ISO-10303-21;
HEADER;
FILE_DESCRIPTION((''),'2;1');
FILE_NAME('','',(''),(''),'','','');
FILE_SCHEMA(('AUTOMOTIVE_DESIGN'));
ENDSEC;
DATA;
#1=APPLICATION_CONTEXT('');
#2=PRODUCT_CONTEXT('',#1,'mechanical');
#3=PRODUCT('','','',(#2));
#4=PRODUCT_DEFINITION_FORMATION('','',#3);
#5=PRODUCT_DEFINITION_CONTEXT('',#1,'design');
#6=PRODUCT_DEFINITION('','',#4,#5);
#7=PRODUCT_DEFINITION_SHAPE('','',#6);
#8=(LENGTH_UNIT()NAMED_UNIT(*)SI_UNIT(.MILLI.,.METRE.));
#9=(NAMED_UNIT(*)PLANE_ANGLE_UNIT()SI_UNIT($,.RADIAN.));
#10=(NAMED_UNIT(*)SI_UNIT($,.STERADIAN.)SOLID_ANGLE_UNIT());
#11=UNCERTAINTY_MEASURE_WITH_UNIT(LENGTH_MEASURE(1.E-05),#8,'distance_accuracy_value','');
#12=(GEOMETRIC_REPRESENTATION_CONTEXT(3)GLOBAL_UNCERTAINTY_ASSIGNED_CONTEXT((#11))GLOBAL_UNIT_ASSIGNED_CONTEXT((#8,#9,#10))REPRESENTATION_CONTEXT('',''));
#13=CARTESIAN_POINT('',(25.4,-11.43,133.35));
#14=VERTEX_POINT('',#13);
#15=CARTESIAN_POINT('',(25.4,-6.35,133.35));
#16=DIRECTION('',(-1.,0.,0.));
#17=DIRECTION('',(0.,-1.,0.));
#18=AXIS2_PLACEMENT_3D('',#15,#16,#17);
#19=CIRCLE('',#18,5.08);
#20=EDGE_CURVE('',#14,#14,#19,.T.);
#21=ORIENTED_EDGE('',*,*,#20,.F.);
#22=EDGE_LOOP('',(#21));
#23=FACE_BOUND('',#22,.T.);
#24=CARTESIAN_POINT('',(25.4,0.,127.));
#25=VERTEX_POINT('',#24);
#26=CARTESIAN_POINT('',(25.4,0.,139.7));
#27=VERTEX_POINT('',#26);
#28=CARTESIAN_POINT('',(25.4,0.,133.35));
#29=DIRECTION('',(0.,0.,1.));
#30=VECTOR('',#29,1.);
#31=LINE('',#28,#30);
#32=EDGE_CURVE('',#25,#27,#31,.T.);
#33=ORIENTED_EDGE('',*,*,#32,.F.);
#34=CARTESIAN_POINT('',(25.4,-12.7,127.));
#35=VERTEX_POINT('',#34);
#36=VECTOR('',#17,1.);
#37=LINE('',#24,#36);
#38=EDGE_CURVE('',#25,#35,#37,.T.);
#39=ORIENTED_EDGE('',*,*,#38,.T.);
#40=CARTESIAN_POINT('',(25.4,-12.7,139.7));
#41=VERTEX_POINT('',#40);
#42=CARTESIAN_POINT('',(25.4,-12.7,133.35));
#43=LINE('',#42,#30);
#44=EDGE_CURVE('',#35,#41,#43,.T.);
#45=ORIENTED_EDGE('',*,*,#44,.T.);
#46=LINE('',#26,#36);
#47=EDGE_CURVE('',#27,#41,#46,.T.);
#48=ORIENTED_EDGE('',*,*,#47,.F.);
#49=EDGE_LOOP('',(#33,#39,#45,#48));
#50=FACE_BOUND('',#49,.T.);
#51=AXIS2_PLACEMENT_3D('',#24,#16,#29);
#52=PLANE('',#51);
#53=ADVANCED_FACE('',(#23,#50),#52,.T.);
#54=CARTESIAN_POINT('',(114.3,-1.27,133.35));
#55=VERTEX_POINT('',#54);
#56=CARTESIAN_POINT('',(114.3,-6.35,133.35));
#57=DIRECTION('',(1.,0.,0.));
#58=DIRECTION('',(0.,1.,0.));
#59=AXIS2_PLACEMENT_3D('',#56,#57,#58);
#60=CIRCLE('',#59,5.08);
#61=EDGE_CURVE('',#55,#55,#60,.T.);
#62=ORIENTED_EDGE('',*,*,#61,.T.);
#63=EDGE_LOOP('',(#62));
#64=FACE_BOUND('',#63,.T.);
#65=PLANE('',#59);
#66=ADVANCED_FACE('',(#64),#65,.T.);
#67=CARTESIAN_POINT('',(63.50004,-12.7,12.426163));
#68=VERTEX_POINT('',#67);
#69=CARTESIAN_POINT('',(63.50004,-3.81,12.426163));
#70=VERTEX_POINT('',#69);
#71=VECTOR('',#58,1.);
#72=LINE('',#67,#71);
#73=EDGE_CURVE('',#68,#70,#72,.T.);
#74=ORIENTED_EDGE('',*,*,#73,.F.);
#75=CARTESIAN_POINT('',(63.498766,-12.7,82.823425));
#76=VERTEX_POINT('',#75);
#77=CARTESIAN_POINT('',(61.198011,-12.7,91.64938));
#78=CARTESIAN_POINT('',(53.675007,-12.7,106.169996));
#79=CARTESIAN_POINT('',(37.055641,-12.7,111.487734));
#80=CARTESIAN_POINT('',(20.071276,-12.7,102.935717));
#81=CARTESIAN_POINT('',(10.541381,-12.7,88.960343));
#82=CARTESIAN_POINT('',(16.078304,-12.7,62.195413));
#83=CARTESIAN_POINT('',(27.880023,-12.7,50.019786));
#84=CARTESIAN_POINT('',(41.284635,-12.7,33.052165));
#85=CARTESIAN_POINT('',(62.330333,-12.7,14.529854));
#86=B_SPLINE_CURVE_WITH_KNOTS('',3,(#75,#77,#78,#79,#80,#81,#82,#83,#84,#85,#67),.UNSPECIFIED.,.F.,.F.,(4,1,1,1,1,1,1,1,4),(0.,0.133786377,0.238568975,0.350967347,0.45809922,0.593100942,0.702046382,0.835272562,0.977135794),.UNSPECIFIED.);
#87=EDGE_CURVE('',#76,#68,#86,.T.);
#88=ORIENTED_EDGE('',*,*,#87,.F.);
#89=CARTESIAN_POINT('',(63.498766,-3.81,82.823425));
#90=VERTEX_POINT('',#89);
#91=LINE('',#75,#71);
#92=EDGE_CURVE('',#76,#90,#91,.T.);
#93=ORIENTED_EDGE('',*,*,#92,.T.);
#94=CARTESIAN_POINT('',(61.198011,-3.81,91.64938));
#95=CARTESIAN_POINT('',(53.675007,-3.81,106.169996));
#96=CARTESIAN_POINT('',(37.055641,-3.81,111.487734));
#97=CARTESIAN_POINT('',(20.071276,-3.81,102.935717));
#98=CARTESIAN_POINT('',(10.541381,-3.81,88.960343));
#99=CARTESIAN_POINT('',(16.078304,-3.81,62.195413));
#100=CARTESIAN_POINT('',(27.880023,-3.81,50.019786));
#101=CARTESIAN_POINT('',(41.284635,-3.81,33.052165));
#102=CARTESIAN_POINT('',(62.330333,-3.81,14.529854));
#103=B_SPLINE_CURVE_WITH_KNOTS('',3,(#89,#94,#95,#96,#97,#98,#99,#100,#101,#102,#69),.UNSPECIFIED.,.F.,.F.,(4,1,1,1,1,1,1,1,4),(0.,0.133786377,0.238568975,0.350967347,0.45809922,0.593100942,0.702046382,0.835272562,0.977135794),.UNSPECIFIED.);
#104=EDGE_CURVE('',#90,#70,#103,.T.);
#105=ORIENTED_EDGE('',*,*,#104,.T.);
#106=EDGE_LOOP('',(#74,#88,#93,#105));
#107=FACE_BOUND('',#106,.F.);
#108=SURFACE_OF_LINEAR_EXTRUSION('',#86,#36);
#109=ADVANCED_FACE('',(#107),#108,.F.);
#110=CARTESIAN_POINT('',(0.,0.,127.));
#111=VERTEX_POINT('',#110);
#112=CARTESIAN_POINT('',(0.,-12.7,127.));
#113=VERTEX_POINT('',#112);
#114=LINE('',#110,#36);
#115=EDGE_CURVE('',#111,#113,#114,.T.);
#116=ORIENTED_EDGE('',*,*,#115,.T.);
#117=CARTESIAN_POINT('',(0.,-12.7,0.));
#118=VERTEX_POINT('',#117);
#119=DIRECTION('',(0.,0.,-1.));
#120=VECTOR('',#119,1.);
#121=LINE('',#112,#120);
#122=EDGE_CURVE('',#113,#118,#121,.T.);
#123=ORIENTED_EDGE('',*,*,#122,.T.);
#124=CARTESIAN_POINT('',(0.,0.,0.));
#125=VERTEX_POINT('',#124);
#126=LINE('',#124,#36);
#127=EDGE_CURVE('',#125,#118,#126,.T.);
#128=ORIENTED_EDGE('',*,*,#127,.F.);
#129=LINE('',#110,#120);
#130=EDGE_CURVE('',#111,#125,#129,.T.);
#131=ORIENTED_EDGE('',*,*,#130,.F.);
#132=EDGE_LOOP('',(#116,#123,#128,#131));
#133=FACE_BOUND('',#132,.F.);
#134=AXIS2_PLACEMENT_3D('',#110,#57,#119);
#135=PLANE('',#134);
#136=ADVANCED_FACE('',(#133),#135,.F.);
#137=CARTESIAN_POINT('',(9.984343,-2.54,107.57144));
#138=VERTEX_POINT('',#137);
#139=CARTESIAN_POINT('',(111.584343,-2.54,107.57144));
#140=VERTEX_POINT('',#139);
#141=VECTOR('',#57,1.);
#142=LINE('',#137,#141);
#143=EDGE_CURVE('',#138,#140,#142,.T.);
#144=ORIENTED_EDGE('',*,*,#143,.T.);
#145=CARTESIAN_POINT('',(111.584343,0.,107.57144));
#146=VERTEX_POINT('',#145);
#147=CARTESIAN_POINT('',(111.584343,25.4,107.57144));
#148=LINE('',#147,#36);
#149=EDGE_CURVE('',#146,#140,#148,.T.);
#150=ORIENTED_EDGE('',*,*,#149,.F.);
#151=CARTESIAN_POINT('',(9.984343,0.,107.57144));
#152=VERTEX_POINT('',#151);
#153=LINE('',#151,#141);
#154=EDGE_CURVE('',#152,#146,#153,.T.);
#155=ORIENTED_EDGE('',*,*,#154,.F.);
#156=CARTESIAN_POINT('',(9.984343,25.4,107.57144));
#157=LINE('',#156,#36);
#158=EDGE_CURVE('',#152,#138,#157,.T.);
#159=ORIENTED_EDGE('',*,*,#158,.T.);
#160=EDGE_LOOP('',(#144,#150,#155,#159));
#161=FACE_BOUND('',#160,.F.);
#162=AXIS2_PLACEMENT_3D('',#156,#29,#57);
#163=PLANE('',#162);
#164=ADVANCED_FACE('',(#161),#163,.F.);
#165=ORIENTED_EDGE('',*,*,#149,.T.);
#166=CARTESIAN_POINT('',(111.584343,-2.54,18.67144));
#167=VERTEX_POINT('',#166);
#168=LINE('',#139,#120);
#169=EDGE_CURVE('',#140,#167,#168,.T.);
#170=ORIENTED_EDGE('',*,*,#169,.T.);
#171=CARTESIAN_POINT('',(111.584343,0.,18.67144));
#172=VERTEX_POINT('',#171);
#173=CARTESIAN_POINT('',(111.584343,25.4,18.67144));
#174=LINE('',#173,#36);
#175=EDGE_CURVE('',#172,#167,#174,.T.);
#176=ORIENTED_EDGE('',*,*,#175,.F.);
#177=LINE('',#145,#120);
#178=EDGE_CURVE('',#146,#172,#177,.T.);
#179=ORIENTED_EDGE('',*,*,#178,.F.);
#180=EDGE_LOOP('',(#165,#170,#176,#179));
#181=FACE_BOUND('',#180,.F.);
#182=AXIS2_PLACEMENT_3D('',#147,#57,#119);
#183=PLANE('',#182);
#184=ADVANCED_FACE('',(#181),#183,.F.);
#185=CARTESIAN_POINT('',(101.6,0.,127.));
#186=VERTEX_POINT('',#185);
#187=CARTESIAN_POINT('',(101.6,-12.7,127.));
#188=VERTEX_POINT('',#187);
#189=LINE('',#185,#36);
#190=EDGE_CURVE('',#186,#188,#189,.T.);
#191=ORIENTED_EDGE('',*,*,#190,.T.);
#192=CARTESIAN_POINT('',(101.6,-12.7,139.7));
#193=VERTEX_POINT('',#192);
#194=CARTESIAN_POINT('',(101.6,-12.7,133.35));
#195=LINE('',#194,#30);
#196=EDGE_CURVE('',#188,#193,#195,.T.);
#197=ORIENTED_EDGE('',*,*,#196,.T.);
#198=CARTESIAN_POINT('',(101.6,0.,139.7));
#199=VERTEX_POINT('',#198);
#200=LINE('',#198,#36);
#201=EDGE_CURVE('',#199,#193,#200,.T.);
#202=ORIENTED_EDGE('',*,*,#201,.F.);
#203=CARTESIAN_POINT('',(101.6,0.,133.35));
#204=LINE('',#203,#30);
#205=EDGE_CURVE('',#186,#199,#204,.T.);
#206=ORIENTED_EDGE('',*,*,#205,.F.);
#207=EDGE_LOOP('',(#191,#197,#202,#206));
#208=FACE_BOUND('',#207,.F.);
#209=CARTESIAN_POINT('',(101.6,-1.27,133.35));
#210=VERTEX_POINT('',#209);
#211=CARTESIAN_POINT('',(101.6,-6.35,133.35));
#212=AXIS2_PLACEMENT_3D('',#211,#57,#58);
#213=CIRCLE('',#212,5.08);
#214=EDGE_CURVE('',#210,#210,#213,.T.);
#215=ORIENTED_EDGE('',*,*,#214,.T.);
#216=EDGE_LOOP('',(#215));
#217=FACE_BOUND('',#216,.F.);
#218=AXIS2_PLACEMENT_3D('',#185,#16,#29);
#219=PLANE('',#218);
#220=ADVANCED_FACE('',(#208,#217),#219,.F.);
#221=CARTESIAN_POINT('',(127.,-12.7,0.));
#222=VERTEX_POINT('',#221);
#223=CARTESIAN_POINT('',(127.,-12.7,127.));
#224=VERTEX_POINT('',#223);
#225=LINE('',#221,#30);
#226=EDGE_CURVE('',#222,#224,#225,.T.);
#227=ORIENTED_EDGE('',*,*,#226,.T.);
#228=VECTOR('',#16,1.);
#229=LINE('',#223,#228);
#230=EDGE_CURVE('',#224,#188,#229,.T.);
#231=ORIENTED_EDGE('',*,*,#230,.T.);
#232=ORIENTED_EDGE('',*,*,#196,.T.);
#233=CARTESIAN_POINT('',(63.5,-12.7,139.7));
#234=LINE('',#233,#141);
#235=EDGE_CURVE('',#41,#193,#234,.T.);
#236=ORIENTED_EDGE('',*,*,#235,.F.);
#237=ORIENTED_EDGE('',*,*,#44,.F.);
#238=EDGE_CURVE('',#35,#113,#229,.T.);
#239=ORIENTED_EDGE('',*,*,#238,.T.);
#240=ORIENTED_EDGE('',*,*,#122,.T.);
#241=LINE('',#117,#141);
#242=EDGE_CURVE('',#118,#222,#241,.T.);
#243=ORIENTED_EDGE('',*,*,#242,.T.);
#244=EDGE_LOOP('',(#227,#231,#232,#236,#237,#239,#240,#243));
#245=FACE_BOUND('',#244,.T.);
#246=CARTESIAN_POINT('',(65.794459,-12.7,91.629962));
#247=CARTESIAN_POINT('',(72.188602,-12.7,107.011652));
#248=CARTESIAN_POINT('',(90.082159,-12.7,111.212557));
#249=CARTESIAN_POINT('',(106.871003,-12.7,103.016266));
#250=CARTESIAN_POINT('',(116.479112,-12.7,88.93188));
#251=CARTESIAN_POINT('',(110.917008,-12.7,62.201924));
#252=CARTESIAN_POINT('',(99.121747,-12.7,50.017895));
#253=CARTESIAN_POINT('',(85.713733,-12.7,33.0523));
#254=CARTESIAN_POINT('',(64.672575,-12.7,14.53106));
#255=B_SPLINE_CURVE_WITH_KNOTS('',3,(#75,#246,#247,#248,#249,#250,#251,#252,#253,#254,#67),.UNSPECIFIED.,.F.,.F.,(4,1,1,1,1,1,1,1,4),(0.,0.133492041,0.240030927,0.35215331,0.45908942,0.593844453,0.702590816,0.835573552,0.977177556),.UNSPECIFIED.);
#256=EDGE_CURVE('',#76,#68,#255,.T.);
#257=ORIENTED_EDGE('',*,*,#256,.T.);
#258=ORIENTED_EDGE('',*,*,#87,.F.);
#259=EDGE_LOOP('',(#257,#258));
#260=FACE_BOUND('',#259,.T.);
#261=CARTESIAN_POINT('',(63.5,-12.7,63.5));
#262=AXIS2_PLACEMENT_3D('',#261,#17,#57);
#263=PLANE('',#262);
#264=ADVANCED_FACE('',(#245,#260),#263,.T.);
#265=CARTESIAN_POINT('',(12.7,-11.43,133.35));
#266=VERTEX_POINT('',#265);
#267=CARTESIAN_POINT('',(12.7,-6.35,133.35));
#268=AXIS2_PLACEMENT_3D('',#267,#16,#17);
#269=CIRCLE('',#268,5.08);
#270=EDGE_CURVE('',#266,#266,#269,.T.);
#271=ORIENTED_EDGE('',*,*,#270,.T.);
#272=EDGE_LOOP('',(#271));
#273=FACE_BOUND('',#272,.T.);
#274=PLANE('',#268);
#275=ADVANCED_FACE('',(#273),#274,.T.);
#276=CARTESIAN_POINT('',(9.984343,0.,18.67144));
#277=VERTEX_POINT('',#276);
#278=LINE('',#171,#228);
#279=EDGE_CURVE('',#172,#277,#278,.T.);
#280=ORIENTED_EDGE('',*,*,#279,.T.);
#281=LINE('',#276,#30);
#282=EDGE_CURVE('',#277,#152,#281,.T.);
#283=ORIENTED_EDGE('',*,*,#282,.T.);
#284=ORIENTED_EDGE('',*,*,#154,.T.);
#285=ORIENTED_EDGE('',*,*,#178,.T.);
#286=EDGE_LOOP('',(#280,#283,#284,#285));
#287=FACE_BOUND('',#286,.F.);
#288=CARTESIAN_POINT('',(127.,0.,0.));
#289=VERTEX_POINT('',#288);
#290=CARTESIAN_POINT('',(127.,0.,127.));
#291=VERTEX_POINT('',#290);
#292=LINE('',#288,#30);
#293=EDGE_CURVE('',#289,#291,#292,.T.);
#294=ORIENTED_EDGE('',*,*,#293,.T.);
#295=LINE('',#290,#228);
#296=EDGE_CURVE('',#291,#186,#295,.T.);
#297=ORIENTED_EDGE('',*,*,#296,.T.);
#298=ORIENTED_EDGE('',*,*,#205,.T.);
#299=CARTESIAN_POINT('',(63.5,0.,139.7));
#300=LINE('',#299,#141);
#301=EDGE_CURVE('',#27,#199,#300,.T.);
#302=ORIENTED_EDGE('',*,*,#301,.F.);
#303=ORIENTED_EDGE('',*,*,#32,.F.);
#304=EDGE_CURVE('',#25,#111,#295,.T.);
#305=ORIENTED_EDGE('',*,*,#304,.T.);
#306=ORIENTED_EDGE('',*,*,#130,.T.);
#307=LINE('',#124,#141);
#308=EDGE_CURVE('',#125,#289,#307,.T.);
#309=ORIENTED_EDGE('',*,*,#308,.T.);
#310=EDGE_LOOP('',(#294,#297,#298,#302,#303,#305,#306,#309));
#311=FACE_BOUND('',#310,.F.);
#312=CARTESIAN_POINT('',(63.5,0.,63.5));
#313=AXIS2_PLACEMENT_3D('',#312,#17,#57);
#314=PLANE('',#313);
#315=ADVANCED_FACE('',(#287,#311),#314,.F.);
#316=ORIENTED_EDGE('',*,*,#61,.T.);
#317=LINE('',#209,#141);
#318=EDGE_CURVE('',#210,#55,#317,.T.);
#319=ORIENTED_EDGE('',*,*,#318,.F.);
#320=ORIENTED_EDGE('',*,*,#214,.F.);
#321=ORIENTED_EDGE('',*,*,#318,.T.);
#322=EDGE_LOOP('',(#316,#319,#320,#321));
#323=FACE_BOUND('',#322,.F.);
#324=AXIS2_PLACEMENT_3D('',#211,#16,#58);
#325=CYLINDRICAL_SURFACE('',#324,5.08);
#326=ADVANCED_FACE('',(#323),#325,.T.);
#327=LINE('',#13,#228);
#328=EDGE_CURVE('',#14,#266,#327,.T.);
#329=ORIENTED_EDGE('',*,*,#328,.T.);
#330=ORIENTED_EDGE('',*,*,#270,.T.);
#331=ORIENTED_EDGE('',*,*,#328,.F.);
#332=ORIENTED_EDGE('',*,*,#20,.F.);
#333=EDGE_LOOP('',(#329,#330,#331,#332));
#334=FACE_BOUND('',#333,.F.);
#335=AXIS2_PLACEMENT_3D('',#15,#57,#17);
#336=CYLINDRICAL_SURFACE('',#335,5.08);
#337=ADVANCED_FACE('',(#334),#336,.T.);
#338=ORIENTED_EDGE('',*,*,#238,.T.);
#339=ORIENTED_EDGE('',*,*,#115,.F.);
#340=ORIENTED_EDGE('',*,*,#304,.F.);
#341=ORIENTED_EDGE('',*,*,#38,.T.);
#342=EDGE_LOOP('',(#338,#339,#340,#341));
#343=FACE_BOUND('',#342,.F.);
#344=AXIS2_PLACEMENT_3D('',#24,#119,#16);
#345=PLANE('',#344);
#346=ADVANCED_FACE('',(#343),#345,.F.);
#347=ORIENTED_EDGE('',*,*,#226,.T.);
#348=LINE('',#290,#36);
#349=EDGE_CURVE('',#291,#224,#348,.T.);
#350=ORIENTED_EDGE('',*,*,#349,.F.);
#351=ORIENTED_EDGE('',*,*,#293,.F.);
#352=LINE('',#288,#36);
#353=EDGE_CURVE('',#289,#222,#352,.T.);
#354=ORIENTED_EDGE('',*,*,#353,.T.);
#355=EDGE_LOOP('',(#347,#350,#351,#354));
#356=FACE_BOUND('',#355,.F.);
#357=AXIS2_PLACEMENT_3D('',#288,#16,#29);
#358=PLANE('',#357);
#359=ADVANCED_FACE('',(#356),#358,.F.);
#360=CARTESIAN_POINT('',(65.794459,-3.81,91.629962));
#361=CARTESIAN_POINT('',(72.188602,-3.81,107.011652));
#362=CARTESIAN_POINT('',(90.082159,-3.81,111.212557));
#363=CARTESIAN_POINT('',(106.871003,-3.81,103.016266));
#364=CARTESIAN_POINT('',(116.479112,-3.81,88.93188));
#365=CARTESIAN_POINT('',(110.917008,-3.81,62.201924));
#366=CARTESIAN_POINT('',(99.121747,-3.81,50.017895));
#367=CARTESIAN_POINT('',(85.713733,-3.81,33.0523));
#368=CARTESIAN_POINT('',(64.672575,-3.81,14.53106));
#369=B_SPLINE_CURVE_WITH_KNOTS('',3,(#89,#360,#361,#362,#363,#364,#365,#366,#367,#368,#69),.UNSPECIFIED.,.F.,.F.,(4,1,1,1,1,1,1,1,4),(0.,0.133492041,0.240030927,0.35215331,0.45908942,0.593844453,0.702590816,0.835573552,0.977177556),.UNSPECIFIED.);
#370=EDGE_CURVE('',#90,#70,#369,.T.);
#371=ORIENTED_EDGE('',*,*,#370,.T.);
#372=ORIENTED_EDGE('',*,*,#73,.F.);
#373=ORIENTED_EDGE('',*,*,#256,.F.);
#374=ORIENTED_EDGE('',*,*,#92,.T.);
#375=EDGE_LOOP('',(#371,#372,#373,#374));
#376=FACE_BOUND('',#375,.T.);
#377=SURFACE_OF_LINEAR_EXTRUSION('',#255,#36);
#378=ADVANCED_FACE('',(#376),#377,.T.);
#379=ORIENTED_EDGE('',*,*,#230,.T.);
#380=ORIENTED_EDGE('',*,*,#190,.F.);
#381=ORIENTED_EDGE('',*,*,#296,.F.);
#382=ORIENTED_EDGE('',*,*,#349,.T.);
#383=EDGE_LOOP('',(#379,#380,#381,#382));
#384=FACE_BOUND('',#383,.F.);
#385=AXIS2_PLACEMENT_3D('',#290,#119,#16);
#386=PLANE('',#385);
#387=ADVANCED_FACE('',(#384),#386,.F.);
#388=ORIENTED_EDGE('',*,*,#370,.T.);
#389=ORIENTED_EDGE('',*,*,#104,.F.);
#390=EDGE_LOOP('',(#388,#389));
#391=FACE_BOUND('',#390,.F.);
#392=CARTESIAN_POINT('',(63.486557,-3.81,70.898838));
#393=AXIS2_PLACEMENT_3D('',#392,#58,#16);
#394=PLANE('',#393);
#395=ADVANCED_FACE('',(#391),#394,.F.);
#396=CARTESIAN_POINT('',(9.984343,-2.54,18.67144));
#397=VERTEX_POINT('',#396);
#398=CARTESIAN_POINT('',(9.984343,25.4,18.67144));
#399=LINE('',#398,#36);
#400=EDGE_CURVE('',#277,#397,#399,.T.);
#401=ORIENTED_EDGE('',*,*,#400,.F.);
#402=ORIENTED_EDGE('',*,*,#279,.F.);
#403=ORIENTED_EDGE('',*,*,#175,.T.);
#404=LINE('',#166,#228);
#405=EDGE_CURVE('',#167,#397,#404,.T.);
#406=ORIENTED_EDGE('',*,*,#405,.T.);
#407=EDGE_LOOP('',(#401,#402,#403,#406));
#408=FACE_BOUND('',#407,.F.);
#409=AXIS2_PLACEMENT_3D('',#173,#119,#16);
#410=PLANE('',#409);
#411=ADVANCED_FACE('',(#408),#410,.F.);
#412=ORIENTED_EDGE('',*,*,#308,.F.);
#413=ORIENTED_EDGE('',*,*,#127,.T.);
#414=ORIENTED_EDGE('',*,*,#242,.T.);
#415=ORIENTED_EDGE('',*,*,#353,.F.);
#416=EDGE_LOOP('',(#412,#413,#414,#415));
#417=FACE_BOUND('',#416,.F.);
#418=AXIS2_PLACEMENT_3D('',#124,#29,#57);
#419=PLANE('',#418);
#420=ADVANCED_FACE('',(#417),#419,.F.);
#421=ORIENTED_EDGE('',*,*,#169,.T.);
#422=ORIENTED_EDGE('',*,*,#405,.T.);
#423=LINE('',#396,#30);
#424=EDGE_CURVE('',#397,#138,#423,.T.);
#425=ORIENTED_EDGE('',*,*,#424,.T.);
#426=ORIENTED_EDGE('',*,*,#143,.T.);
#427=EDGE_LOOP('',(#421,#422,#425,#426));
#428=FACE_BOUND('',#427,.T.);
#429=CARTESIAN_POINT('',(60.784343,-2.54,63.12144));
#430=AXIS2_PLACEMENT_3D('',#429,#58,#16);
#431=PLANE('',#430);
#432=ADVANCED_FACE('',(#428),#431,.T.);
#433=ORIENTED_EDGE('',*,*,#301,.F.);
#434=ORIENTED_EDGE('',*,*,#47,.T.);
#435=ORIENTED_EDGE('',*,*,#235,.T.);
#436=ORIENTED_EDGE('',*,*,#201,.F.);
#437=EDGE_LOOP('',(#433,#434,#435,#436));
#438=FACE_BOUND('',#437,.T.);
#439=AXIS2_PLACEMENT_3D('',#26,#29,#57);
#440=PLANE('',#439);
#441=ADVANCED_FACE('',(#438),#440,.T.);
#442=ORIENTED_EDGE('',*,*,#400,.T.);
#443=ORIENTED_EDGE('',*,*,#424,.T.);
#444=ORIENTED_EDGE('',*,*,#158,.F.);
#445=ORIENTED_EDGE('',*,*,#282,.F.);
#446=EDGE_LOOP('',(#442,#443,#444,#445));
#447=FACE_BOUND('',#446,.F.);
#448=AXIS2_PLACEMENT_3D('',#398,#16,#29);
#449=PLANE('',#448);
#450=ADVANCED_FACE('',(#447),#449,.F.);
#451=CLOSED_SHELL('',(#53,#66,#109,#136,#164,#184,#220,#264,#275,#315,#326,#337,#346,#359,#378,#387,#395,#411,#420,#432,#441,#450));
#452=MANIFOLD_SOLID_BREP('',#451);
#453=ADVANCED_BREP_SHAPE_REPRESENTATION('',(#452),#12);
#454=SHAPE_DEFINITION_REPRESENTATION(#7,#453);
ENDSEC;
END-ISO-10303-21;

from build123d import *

# Parameters (mm, degrees)
F0_W      = 76.2
F0_H      = 12.7
F1_DEPTH  = 12.7
F3_DEPTH  = 8.89
F4_R      = 5.08
F6_DEPTH  = 12.7
F5_R      = 5.08
F7_DEPTH  = 12.7
F9_DEPTH  = 25.4
F10_DEPTH = 27.94


with BuildPart() as f1:
    # F0 (on Front) → F1 (new body)
    with BuildSketch(Plane.XZ):
        Polygon((0, 127), (0, 0), (127, 0), (127, 127), (101.6, 127), (25.4, 127), align=None)
        with Locations((63.5, 133.35)):
            Rectangle(F0_W, F0_H)
    extrude(amount=F1_DEPTH)

    # F2 (on face) → F3 (cut)
    with BuildSketch(Plane.XZ.offset(12.7)):
        with BuildLine():
            add(Edge.make_bspline(
                [(63.4987656228, 82.8234252413), (65.7944586236, 91.6299622391), (72.1886023506, 107.0116522323), (90.0821587433, 111.2125565685), (106.8710029159, 103.0162659913), (116.4791124343, 88.9318796455), (110.9170075822, 62.2019240555), (99.1217465906, 50.0178945927), (85.713732663, 33.0522997276), (64.6725747122, 14.5310603816), (63.5000403166, 12.4261625143)],
                knots=[0, 0, 0, 0, 0.1334920413, 0.2400309268, 0.3521533097, 0.4590894201, 0.5938444531, 0.7025908162, 0.8355735517, 0.9771775563, 0.9771775563, 0.9771775563, 0.9771775563], degree=3))
            add(Edge.make_bspline(
                [(63.4987656228, 82.8234252413), (61.1980108587, 91.6493797334), (53.6750071574, 106.1699961718), (37.05564123, 111.4877343311), (20.0712763985, 102.9357168424), (10.5413805272, 88.9603425755), (16.0783040671, 62.1954127389), (27.8800231479, 50.019785903), (41.2846350113, 33.0521653502), (62.3303330397, 14.5298536586), (63.5000403166, 12.4261625143)],
                knots=[0, 0, 0, 0, 0.1337863773, 0.2385689745, 0.3509673467, 0.4580992197, 0.5931009421, 0.7020463819, 0.8352725623, 0.9771357943, 0.9771357943, 0.9771357943, 0.9771357943], degree=3))
        make_face()
    extrude(amount=-F3_DEPTH, mode=Mode.SUBTRACT)

    # F4 (on face) → F6 (join)
    with BuildSketch(Plane(origin=(25.4, 0, 0), x_dir=(0, -1, 0), z_dir=(-1, 0, 0))):
        with Locations((6.35, 133.35)):
            Circle(F4_R)
    extrude(amount=F6_DEPTH)

    # F5 (on face) → F7 (join)
    with BuildSketch(Plane.YZ.offset(101.6)):
        with Locations((-6.35, 133.35)):
            Circle(F5_R)
    extrude(amount=F7_DEPTH)

    # F8 (on face) → F9 (join)
    with BuildSketch(Plane(origin=(0, 0, 0), x_dir=(-1, 0, 0), z_dir=(0, 1, 0))):
        Polygon((-111.5843430161, 18.6714399606), (-63.5, 18.6714399606), (-9.9843430161, 18.6714399606), (-9.9843430161, 50.8), (-9.9843430161, 63.5), (-9.9843430161, 107.5714399606), (-63.5, 107.5714399606), (-111.5843430161, 107.5714399606), (-111.5843430161, 63.5), (-111.5843430161, 50.8), align=None)
    extrude(amount=F9_DEPTH)

    # F10 (cut): a face of the model
    f10_faces = [f1.faces().sort_by_distance(p)[0] for p in [
        (60.7843430161, 25.4, 63.1214399606),
    ]]
    extrude(f10_faces, amount=-F10_DEPTH, mode=Mode.SUBTRACT)


solid = f1.part
